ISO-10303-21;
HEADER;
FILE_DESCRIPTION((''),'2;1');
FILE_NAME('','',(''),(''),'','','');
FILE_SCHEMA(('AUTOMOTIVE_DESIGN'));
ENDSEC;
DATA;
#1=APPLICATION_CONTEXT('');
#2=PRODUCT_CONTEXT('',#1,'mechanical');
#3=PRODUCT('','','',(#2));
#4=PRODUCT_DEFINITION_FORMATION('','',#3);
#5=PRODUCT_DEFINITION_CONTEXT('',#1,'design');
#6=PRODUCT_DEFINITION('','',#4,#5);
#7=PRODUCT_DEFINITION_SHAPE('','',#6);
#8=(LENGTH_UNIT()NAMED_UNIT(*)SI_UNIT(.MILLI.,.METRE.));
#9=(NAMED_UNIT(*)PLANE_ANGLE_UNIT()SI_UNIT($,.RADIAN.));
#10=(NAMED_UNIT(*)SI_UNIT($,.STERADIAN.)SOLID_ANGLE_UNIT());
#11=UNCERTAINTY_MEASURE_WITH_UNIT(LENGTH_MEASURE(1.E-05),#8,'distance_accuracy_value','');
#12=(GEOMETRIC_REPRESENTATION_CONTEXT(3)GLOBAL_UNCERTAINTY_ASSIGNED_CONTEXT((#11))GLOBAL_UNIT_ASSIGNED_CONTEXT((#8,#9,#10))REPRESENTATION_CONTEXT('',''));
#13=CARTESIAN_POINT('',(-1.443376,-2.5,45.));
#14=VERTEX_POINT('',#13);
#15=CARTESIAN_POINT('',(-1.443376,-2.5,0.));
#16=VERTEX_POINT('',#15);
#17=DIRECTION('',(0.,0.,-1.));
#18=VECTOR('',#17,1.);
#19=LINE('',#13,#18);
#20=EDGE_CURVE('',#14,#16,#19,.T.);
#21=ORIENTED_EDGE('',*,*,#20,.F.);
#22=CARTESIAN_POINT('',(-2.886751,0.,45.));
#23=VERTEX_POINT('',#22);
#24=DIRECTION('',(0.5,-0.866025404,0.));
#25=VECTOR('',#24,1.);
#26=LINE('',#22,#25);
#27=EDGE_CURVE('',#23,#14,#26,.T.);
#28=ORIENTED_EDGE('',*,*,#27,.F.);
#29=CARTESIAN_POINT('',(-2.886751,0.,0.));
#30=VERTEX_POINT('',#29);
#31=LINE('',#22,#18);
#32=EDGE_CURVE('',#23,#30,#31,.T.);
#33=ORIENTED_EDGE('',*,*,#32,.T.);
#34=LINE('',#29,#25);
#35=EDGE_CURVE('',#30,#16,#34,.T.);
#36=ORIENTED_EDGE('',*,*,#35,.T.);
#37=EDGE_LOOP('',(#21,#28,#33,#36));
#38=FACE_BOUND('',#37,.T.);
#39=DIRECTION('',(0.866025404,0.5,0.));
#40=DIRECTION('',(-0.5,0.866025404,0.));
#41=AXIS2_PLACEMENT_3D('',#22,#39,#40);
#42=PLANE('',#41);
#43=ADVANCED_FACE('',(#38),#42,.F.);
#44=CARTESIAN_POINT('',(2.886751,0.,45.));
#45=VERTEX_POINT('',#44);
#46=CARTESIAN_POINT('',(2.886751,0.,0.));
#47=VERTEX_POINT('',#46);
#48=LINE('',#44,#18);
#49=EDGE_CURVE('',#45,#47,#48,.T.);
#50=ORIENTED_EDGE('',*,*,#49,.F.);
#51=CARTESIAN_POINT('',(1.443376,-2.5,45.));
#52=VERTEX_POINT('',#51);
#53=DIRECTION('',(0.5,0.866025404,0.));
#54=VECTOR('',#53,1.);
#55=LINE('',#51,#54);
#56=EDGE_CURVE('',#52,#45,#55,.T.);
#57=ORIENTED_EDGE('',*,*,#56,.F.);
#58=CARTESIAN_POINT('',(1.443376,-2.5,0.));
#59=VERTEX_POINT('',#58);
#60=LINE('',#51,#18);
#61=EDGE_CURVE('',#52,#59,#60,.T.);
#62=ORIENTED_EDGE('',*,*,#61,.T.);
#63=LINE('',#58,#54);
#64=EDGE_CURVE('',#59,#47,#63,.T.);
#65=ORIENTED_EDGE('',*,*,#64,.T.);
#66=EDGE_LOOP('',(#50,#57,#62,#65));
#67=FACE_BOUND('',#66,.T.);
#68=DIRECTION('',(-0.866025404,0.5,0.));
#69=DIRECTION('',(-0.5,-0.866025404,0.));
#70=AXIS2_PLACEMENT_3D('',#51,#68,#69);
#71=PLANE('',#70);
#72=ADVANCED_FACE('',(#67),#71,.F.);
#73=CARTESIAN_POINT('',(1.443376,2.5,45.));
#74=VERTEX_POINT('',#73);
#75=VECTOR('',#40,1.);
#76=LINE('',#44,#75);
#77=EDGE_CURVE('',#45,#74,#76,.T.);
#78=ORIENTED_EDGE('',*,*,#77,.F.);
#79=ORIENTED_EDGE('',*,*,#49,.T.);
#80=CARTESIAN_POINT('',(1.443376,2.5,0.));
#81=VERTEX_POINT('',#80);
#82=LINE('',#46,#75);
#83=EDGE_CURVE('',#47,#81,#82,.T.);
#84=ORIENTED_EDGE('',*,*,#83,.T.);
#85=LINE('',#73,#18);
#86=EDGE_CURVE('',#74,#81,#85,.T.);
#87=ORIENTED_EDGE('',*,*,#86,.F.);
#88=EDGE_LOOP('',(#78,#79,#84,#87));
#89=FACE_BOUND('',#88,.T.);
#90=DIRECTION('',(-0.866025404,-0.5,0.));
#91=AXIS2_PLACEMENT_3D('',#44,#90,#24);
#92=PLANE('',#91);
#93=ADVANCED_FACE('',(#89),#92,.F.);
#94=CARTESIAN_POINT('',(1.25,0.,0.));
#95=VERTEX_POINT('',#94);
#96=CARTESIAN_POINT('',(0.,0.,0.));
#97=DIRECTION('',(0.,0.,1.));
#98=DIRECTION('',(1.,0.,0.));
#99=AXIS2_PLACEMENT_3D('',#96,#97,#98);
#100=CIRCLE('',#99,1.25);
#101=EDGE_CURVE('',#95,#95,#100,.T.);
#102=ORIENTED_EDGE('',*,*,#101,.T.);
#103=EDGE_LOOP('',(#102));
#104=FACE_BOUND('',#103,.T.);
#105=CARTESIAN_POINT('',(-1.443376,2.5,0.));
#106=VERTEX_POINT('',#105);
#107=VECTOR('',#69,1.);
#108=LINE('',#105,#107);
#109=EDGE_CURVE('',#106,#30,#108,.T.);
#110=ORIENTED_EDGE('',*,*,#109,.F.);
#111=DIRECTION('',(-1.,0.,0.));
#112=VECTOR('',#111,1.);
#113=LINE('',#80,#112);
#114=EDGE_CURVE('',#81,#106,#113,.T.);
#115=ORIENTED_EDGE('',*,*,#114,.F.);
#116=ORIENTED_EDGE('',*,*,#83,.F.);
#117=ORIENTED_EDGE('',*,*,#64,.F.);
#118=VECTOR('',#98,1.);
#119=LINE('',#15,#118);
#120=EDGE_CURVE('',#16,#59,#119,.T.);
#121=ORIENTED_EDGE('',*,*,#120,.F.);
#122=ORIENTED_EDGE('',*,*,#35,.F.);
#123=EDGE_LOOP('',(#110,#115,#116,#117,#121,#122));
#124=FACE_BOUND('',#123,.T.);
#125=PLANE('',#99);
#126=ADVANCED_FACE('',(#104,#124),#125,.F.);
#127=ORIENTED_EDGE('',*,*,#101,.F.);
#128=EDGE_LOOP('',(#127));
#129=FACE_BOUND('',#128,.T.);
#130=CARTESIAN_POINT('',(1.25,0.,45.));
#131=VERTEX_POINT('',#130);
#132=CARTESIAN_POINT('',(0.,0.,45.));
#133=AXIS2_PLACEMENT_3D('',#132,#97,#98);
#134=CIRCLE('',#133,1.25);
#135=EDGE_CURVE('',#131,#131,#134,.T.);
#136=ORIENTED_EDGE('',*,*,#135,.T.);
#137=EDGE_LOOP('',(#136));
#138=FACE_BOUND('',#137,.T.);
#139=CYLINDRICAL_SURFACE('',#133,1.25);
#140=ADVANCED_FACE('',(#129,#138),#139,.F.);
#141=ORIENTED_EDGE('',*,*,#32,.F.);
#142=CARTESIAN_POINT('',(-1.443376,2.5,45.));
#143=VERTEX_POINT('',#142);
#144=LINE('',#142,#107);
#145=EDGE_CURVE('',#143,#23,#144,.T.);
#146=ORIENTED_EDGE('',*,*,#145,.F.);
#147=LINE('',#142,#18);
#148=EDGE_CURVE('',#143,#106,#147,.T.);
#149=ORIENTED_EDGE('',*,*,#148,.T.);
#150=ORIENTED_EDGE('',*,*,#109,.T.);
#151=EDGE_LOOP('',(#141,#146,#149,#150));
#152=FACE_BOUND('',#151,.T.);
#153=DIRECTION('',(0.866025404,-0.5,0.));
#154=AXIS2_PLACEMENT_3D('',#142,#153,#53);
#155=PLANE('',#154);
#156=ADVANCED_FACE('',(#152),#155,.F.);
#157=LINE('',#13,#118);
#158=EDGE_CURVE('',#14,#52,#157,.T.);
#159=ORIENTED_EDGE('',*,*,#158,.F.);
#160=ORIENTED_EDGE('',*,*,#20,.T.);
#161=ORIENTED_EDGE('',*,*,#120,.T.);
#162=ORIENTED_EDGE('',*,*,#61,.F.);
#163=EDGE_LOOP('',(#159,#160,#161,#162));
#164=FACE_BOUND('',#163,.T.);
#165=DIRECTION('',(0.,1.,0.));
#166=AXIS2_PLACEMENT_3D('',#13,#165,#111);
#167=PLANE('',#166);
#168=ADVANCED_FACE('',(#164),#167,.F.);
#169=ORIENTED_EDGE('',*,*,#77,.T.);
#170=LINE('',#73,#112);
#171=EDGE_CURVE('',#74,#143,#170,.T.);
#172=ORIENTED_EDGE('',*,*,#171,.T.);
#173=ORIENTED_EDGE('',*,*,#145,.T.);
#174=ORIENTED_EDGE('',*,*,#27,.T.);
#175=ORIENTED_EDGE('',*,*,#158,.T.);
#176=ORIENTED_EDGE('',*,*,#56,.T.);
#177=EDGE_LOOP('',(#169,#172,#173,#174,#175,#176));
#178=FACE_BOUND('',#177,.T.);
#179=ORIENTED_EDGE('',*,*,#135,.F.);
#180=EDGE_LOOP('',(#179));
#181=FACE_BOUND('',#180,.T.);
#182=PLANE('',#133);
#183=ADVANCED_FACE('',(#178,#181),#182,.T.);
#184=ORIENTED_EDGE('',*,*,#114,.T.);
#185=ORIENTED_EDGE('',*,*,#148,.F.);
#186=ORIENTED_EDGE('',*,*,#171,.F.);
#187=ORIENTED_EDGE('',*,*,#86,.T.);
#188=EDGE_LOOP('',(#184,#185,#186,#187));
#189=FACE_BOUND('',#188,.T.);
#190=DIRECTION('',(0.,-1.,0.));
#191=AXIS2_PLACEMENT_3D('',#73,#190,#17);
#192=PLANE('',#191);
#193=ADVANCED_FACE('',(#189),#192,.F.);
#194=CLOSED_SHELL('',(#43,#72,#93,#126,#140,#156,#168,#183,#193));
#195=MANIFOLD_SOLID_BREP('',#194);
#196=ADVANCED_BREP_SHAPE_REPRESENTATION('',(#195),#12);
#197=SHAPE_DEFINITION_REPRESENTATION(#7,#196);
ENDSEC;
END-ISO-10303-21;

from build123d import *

# Parameters (mm, degrees)
EXTRUDE_1_DEPTH    = 45
HOLE_WIZARD_M3_1_D = 2.5


with BuildPart() as part:
    # 草图1 → 凸台-拉伸1 (new body)
    with BuildSketch(Plane.XY):
        Polygon((1.443375673, 2.5), (-1.443375673, 2.5), (-2.886751346, 0), (-1.443375673, -2.5), (1.443375673, -2.5), (2.886751346, 0), align=None)
    extrude(amount=EXTRUDE_1_DEPTH)

    # M3 螺纹孔1 (through all)
    with Locations(Plane.XY.offset(45)):
        with Locations((0, 0)):
            Hole(HOLE_WIZARD_M3_1_D / 2)


solid = part.part
